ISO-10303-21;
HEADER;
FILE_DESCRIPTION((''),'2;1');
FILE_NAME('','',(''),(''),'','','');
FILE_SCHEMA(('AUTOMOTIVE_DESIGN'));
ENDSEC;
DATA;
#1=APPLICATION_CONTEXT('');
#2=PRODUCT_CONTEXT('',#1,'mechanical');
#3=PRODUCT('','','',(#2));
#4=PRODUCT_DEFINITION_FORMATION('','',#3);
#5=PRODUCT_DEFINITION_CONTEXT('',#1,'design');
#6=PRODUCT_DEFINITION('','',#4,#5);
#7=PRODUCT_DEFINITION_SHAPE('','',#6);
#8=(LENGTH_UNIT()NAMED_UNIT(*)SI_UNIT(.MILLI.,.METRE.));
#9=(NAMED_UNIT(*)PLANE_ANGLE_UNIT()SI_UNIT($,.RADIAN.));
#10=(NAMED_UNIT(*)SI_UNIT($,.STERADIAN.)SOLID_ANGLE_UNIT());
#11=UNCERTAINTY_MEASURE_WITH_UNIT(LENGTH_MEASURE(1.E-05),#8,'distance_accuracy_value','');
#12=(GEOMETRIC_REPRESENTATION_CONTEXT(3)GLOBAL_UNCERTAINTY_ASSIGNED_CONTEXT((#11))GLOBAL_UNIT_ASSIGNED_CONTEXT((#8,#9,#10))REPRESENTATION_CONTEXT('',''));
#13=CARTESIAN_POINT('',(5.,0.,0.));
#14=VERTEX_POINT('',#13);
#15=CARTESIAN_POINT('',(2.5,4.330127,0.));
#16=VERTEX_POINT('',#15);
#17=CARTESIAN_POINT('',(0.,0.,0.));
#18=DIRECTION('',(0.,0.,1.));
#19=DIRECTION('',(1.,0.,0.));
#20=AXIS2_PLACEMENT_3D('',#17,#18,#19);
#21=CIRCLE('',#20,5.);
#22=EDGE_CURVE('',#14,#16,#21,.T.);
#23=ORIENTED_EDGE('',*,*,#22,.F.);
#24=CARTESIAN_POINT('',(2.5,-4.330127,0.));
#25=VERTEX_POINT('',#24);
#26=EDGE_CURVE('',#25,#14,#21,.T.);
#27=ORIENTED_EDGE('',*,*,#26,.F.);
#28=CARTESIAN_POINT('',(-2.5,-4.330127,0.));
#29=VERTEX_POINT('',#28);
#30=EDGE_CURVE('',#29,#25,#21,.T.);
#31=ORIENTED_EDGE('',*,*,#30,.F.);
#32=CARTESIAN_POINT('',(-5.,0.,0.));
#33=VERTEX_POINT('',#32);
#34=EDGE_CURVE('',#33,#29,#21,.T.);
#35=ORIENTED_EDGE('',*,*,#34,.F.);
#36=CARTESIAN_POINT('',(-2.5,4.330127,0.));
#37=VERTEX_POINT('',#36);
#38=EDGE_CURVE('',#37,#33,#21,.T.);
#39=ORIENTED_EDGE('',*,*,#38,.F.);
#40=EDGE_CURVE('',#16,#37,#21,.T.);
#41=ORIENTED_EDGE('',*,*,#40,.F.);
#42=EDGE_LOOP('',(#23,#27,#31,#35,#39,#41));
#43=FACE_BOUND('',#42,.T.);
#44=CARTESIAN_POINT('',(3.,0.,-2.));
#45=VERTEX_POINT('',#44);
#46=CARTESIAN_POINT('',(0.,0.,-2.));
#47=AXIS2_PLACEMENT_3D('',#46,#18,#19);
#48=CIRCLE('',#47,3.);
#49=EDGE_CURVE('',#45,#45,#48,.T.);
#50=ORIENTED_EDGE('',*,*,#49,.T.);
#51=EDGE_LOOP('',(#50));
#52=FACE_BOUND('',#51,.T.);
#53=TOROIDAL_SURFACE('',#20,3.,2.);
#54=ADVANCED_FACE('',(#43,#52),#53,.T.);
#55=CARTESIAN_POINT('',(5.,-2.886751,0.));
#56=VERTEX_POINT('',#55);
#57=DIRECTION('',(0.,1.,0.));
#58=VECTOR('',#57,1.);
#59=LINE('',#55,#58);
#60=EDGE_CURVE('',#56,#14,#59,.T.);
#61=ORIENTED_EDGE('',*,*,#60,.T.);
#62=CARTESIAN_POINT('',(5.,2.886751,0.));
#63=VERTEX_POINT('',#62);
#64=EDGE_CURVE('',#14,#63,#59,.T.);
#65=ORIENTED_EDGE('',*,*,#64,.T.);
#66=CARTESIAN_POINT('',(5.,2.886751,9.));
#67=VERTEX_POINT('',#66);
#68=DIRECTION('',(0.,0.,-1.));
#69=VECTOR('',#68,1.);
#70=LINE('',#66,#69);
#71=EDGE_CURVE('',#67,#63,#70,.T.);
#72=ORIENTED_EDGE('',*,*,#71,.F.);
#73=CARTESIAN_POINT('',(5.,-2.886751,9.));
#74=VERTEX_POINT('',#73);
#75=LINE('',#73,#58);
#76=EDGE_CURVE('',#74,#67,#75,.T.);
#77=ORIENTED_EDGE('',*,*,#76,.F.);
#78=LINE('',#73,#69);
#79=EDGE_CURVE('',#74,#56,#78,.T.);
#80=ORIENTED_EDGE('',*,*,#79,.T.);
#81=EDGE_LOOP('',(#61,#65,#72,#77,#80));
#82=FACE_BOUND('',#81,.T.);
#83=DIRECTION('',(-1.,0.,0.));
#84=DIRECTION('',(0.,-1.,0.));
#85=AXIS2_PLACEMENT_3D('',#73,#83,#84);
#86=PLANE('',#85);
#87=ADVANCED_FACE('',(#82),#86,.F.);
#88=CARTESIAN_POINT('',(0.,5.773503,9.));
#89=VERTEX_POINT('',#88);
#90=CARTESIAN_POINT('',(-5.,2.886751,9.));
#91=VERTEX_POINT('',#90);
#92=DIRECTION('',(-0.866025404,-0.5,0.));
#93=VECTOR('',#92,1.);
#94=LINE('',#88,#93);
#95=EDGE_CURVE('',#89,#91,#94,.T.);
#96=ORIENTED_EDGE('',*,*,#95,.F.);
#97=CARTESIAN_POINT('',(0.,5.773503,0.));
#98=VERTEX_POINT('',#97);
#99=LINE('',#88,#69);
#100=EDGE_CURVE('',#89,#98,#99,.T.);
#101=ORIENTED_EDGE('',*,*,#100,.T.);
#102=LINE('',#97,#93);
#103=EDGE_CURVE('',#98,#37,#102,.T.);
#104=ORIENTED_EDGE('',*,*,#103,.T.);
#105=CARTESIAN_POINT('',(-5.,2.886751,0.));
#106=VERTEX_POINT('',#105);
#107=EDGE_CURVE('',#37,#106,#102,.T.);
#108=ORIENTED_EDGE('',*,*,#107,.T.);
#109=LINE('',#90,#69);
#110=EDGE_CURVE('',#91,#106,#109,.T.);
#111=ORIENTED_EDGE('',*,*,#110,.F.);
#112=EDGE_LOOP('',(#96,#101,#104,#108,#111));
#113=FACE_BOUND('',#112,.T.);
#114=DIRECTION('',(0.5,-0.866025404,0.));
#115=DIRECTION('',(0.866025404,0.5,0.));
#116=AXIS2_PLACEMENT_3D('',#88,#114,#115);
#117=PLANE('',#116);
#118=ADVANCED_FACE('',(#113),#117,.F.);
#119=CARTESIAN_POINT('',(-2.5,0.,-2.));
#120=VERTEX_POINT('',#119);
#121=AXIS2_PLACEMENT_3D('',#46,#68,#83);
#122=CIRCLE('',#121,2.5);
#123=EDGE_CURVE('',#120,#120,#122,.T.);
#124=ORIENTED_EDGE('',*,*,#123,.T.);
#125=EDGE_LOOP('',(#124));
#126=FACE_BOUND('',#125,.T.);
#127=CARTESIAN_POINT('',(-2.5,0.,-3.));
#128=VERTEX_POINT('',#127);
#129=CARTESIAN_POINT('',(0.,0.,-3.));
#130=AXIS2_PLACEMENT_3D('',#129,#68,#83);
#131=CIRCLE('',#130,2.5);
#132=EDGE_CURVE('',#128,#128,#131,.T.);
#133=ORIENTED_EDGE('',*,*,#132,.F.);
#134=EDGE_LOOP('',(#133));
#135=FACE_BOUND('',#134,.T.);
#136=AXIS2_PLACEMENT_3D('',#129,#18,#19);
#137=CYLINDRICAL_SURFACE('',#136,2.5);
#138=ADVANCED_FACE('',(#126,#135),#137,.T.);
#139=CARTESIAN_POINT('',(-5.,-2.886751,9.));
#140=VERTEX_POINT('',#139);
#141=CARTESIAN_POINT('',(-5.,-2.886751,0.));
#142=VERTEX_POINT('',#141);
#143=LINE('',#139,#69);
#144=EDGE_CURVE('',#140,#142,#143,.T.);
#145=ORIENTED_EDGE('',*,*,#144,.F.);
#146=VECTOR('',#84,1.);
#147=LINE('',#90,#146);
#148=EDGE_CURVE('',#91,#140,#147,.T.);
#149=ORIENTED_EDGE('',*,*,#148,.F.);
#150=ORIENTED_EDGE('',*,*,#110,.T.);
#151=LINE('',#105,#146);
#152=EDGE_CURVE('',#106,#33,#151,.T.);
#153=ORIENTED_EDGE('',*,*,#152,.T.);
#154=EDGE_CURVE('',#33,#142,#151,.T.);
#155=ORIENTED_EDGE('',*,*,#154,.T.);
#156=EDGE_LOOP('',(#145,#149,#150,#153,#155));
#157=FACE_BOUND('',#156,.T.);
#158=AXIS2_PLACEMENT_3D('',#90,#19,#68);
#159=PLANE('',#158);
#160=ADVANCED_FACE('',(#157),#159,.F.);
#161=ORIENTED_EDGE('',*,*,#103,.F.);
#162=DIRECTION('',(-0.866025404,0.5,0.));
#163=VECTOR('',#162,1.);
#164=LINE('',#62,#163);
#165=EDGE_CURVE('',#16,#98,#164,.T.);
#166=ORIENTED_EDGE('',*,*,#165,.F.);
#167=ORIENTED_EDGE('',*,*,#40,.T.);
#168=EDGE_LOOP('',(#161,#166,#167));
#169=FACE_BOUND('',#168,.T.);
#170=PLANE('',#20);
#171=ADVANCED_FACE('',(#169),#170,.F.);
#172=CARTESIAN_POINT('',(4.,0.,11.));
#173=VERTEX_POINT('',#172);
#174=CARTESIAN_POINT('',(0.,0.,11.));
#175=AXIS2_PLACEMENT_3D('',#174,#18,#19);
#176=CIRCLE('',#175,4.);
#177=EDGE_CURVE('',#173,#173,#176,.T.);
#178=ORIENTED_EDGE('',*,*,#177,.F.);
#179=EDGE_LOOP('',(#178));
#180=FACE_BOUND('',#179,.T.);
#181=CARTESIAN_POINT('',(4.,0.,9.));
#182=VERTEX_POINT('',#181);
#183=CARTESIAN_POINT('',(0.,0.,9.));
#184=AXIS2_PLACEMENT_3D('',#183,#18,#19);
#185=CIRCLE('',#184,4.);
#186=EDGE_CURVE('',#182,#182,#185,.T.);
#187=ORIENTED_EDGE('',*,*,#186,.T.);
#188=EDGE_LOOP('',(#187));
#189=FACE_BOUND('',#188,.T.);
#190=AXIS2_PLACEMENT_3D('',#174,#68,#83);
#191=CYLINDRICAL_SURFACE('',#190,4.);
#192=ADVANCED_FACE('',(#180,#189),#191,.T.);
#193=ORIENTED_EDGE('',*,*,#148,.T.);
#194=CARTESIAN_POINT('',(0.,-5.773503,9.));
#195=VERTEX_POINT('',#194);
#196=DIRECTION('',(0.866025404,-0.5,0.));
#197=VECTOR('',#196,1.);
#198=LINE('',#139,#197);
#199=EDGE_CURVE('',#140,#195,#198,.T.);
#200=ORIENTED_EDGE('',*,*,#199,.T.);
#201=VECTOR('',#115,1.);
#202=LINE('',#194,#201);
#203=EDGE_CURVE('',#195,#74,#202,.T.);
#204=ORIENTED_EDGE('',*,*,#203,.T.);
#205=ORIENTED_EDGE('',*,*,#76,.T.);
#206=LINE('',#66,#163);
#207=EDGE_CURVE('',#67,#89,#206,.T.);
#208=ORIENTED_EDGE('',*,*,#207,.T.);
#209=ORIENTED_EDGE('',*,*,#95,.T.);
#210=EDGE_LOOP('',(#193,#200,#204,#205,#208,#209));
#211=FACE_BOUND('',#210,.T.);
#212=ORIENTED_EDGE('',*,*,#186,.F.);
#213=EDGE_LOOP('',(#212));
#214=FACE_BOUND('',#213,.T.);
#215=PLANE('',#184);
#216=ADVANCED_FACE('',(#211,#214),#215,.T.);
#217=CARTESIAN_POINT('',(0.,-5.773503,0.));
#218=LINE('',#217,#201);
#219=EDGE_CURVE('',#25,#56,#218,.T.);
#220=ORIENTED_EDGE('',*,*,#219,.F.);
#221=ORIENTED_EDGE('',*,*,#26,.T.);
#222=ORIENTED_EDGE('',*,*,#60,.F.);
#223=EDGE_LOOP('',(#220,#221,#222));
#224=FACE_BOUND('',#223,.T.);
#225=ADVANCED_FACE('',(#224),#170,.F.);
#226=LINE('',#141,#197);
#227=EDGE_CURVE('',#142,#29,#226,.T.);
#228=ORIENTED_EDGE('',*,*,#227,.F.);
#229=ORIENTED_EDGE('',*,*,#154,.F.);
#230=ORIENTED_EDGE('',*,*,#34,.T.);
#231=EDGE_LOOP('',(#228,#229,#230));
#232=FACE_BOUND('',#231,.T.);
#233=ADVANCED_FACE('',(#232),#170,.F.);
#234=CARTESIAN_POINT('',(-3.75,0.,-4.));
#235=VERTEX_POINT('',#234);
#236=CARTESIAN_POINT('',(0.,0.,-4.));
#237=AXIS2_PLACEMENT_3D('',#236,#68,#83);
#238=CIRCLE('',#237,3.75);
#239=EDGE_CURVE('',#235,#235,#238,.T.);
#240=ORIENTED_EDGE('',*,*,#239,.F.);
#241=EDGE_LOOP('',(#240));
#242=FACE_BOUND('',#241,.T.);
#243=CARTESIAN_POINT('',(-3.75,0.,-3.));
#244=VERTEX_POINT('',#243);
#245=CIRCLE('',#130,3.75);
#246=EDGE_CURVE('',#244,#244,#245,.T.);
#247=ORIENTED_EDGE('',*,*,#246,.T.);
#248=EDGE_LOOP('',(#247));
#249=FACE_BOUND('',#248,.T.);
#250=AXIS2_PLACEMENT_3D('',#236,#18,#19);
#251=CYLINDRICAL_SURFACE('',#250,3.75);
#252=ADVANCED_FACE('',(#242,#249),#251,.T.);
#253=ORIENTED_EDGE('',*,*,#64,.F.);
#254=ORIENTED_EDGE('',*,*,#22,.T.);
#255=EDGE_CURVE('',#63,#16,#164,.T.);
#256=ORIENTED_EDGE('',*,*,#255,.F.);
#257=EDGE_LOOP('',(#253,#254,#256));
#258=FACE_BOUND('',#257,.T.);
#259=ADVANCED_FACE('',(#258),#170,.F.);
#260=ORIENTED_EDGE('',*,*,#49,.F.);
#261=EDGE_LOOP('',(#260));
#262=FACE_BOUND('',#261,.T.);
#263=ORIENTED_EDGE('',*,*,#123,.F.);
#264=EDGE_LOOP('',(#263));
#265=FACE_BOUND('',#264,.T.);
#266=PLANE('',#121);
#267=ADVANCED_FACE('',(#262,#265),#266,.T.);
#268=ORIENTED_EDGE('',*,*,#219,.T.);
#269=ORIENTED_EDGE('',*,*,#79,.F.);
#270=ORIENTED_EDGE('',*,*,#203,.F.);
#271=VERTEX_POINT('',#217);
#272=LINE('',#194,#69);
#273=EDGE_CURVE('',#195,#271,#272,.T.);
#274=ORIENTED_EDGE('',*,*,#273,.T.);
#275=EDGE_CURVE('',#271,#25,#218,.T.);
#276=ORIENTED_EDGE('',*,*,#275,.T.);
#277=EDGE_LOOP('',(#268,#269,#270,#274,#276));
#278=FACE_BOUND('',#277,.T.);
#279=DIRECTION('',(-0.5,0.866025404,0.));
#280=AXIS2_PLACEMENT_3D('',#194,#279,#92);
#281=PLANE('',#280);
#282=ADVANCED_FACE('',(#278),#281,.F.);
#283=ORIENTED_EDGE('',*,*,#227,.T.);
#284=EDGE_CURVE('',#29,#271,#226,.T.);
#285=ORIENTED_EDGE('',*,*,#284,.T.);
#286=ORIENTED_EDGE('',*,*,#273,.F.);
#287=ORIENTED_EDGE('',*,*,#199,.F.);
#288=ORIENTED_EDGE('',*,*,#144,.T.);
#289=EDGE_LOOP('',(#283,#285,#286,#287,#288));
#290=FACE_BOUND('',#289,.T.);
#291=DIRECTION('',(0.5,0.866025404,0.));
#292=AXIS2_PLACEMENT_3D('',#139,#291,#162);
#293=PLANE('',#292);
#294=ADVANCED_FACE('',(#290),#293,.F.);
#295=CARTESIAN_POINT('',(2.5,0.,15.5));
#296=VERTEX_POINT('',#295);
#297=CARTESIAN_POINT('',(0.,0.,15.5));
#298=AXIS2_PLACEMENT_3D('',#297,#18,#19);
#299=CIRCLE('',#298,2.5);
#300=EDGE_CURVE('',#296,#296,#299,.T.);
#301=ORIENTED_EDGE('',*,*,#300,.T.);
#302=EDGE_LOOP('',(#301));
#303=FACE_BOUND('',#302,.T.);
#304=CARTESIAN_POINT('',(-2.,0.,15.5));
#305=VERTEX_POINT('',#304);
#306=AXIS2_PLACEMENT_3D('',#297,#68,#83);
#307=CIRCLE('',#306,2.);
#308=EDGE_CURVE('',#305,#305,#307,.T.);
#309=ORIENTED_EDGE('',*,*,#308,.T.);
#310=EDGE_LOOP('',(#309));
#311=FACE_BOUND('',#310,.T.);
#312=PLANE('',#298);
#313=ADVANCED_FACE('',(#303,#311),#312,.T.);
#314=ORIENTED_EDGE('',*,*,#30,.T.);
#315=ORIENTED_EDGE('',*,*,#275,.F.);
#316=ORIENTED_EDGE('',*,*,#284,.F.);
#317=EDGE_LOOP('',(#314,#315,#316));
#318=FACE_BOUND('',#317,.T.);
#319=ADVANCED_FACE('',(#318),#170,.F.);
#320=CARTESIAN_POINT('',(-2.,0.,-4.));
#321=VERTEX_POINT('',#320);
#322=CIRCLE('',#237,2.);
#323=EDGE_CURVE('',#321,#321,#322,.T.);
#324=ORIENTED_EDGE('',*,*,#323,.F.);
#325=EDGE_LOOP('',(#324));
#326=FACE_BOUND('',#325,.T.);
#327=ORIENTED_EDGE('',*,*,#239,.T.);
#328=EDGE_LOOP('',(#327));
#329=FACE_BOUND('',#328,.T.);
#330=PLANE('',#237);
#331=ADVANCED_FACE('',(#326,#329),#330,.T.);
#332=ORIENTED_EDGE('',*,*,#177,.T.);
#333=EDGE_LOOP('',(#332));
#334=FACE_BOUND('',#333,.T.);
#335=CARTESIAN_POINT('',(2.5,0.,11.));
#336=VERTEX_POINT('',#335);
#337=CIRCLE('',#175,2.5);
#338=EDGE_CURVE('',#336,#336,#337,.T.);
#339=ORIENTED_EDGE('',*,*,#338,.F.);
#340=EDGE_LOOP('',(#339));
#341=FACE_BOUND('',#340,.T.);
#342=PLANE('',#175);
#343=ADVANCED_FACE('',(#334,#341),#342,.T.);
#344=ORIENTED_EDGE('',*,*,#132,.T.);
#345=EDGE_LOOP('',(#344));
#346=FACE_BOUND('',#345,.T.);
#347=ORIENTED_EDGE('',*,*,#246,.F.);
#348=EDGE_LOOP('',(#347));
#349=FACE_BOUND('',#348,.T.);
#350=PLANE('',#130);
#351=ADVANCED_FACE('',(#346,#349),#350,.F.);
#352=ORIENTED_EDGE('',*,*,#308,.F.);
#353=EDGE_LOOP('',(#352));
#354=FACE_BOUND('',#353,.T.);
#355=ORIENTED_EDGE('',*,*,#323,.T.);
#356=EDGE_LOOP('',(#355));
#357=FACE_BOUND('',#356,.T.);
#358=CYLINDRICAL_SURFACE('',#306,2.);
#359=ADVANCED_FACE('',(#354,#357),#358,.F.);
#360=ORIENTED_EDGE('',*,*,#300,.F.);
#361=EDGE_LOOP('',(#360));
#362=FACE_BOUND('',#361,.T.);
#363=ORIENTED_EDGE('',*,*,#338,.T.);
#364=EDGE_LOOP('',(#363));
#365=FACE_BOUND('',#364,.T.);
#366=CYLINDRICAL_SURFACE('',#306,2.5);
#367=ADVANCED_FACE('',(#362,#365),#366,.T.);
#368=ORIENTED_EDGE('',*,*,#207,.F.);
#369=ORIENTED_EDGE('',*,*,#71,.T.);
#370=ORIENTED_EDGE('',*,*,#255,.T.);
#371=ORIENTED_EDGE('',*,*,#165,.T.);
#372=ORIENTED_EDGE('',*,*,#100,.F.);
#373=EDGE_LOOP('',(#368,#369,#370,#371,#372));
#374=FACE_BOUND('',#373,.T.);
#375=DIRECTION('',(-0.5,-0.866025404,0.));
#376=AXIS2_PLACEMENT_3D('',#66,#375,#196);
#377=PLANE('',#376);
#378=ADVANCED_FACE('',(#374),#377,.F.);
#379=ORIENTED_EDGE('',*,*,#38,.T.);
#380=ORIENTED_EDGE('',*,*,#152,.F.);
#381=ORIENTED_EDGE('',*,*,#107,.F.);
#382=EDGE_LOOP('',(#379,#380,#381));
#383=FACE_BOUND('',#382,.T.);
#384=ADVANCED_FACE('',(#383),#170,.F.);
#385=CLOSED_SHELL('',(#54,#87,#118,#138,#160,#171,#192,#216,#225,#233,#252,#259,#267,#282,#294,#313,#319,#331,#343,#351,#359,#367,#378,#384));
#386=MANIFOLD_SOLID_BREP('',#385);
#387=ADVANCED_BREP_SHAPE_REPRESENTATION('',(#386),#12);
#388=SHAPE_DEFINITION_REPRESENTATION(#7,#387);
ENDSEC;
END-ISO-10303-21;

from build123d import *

# Parameters (mm, degrees)
EXTRUDE_1_DEPTH     = 9
SKETCH_2_R          = 4
EXTRUDE_2_DEPTH     = 2
SKETCH_3_R          = 2.5
EXTRUDE_3_DEPTH     = 4.5
EXTRUDE_START       = 1
SKETCH_5_R          = 2.5
EXTRUDE_4_DEPTH     = 1
SKETCH_6_R          = 3.75
EXTRUDE_5_DEPTH     = 1
SKETCH_7_R          = 2
CUT_EXTRUDE_1_DEPTH = 21.942381272


with BuildPart() as part:
    # 草图1 → 凸台-拉伸1 (new body)
    with BuildSketch(Plane.XY):
        Polygon((5, 2.886751346), (0, 5.773502692), (-5, 2.886751346), (-5, -2.886751346), (0, -5.773502692), (5, -2.886751346), align=None)
    extrude(amount=EXTRUDE_1_DEPTH)

    # 草图2 → 凸台-拉伸2 (add)
    with BuildSketch(Plane.XY.offset(9)):
        Circle(SKETCH_2_R)
    extrude(amount=EXTRUDE_2_DEPTH)

    # 草图3 → 凸台-拉伸3 (add)
    with BuildSketch(Plane.XY.offset(11)):
        Circle(SKETCH_3_R)
    extrude(amount=EXTRUDE_3_DEPTH)

    # 草图4 → 旋转1 (revolve)
    with BuildSketch(Plane(origin=(0, 0, 0), x_dir=(1, 0, 0), z_dir=(0, 1, 0))):
        with BuildLine():
            Line((0, 0), (0, 2))
            Line((0, 2), (3, 2))
            ThreePointArc((3, 2), (4.414213562, 1.414213562), (5, 0))
            Line((5, 0), (0, 0))
        make_face()
    revolve(axis=Axis((0, 0, 0), (0, 0, -1)))

    # 草图5 → 凸台-拉伸4 (add)
    with BuildSketch(Plane(origin=(0, 0, -2), x_dir=(-1, 0, 0), z_dir=(0, 0, -1)).offset(EXTRUDE_START)):
        with Locations(Location((0, 0, 0), (0, 0, 180))):
            Circle(SKETCH_5_R)
    extrude(amount=-EXTRUDE_4_DEPTH)

    # 草图6 → 凸台-拉伸5 (add)
    with BuildSketch(Plane(origin=(0, 0, -3), x_dir=(-1, 0, 0), z_dir=(0, 0, -1))):
        Circle(SKETCH_6_R)
    extrude(amount=EXTRUDE_5_DEPTH)

    # 草图7 → 切除-拉伸1 (cut, through all)
    with BuildSketch(Plane(origin=(0, 0, -4), x_dir=(-1, 0, 0), z_dir=(0, 0, -1))):
        Circle(SKETCH_7_R)
    extrude(amount=-CUT_EXTRUDE_1_DEPTH, mode=Mode.SUBTRACT)


solid = part.part
